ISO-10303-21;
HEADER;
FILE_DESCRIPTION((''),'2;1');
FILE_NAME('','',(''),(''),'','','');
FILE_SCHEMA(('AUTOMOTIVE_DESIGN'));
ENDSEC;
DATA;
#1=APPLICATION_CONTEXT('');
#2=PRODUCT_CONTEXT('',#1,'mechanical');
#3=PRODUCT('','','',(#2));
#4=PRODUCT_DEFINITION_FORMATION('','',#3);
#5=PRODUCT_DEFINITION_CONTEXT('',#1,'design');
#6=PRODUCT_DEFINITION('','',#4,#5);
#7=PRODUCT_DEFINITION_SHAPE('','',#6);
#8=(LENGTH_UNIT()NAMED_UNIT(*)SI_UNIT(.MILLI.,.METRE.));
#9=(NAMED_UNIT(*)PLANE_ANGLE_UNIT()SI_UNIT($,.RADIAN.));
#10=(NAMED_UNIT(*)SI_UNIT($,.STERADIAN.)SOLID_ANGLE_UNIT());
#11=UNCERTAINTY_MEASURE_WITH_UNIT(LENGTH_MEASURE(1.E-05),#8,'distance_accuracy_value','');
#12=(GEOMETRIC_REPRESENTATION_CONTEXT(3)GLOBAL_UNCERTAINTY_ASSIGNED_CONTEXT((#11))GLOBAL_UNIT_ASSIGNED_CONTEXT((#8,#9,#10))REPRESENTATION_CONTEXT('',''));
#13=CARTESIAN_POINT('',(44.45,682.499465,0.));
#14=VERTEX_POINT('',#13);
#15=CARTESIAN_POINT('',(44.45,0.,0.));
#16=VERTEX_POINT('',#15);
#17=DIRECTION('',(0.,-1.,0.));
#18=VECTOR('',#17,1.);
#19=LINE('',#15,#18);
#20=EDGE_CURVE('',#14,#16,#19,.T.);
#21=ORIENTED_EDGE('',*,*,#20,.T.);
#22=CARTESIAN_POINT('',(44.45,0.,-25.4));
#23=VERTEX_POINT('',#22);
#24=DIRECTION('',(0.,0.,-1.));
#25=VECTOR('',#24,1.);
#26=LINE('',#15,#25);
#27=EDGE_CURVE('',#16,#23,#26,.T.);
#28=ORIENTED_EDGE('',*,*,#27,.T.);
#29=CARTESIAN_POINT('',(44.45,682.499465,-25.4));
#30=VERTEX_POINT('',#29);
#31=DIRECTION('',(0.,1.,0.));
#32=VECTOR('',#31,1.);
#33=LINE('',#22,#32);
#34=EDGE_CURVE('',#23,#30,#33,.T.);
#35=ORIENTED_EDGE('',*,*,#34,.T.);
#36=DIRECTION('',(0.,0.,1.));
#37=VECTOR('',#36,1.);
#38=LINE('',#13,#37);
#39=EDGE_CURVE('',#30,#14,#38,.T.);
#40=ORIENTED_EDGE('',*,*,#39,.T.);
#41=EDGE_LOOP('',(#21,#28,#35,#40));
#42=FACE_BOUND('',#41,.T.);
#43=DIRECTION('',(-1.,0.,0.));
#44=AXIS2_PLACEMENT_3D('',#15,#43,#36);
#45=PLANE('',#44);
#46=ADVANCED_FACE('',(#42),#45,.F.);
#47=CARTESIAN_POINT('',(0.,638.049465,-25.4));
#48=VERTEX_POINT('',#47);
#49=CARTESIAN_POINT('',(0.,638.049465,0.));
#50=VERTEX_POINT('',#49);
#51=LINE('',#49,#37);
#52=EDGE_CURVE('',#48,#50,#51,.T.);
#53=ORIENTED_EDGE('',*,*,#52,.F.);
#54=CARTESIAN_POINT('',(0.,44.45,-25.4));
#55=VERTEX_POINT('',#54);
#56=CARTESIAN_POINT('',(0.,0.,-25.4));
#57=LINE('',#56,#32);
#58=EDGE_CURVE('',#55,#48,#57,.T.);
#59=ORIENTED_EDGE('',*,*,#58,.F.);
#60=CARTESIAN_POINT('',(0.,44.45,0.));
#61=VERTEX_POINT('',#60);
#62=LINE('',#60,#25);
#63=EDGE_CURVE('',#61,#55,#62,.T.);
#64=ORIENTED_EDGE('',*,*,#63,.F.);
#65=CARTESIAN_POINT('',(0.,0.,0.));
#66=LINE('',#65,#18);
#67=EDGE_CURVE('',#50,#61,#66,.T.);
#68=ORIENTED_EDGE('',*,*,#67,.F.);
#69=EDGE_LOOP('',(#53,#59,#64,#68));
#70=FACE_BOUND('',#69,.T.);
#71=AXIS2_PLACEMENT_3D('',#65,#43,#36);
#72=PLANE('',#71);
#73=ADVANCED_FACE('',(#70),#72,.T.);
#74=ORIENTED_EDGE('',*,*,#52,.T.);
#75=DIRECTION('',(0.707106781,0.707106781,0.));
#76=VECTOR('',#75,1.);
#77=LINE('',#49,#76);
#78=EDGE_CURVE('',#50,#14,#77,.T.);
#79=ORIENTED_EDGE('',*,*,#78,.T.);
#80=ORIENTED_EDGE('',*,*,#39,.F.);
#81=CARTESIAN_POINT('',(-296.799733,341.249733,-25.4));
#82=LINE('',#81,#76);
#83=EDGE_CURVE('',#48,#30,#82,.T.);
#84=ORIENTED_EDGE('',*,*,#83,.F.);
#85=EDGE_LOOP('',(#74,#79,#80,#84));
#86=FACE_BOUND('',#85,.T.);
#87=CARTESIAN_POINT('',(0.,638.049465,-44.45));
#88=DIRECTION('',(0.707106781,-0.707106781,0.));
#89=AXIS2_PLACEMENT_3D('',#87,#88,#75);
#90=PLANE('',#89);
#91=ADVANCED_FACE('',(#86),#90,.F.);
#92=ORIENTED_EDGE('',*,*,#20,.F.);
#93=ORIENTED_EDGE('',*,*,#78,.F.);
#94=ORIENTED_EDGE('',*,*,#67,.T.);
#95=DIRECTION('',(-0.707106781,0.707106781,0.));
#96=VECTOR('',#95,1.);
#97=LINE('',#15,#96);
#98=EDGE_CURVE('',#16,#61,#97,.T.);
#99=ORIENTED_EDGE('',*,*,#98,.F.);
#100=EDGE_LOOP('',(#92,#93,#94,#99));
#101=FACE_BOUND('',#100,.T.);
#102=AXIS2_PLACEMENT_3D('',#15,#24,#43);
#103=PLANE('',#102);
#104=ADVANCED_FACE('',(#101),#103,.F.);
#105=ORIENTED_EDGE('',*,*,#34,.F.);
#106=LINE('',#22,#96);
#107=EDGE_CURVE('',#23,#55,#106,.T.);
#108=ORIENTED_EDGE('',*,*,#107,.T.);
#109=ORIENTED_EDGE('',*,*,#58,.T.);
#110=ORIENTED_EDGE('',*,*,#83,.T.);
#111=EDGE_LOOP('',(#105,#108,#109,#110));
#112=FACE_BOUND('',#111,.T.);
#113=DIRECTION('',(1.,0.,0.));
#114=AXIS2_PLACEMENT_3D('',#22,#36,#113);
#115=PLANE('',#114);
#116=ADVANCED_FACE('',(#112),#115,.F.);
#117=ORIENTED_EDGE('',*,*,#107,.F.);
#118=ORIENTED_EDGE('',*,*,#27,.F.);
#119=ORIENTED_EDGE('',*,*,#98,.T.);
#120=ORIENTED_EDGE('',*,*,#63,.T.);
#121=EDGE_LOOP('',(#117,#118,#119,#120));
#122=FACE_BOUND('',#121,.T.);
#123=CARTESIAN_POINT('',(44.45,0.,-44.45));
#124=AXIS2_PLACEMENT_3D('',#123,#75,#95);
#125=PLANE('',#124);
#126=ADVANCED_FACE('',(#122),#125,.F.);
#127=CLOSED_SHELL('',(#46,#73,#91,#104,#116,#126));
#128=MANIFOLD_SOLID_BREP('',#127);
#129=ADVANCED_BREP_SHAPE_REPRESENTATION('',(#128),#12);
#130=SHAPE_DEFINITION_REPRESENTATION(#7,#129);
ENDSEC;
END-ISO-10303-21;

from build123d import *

# Parameters (mm, degrees)
SKETCH1_W           = 25.4
SKETCH1_H           = 682.499465201
BOSS_EXTRUDE1_DEPTH = 44.45
CUT_EXTRUDE1_DEPTH  = 44.45
CUT_EXTRUDE2_DEPTH  = 44.45


with BuildPart() as part:
    # Sketch1 → Boss-Extrude1 (new body)
    with BuildSketch(Plane(origin=(0, 0, 0), x_dir=(0, 0, -1), z_dir=(1, 0, 0))):
        with Locations((12.7, 341.249732601)):
            Rectangle(SKETCH1_W, SKETCH1_H)
    extrude(amount=BOSS_EXTRUDE1_DEPTH)

    # Sketch2 → Cut-Extrude1 (cut)
    with BuildSketch(Plane.XY):
        Polygon((44.45, 0), (0, 44.45), (0, 0), align=None)
    extrude(amount=-CUT_EXTRUDE1_DEPTH, mode=Mode.SUBTRACT)

    # Sketch3 → Cut-Extrude2 (cut)
    with BuildSketch(Plane.XY):
        Polygon((0, 638.049465201), (44.45, 682.499465201), (0, 682.499465201), align=None)
    extrude(amount=-CUT_EXTRUDE2_DEPTH, mode=Mode.SUBTRACT)


solid = part.part
